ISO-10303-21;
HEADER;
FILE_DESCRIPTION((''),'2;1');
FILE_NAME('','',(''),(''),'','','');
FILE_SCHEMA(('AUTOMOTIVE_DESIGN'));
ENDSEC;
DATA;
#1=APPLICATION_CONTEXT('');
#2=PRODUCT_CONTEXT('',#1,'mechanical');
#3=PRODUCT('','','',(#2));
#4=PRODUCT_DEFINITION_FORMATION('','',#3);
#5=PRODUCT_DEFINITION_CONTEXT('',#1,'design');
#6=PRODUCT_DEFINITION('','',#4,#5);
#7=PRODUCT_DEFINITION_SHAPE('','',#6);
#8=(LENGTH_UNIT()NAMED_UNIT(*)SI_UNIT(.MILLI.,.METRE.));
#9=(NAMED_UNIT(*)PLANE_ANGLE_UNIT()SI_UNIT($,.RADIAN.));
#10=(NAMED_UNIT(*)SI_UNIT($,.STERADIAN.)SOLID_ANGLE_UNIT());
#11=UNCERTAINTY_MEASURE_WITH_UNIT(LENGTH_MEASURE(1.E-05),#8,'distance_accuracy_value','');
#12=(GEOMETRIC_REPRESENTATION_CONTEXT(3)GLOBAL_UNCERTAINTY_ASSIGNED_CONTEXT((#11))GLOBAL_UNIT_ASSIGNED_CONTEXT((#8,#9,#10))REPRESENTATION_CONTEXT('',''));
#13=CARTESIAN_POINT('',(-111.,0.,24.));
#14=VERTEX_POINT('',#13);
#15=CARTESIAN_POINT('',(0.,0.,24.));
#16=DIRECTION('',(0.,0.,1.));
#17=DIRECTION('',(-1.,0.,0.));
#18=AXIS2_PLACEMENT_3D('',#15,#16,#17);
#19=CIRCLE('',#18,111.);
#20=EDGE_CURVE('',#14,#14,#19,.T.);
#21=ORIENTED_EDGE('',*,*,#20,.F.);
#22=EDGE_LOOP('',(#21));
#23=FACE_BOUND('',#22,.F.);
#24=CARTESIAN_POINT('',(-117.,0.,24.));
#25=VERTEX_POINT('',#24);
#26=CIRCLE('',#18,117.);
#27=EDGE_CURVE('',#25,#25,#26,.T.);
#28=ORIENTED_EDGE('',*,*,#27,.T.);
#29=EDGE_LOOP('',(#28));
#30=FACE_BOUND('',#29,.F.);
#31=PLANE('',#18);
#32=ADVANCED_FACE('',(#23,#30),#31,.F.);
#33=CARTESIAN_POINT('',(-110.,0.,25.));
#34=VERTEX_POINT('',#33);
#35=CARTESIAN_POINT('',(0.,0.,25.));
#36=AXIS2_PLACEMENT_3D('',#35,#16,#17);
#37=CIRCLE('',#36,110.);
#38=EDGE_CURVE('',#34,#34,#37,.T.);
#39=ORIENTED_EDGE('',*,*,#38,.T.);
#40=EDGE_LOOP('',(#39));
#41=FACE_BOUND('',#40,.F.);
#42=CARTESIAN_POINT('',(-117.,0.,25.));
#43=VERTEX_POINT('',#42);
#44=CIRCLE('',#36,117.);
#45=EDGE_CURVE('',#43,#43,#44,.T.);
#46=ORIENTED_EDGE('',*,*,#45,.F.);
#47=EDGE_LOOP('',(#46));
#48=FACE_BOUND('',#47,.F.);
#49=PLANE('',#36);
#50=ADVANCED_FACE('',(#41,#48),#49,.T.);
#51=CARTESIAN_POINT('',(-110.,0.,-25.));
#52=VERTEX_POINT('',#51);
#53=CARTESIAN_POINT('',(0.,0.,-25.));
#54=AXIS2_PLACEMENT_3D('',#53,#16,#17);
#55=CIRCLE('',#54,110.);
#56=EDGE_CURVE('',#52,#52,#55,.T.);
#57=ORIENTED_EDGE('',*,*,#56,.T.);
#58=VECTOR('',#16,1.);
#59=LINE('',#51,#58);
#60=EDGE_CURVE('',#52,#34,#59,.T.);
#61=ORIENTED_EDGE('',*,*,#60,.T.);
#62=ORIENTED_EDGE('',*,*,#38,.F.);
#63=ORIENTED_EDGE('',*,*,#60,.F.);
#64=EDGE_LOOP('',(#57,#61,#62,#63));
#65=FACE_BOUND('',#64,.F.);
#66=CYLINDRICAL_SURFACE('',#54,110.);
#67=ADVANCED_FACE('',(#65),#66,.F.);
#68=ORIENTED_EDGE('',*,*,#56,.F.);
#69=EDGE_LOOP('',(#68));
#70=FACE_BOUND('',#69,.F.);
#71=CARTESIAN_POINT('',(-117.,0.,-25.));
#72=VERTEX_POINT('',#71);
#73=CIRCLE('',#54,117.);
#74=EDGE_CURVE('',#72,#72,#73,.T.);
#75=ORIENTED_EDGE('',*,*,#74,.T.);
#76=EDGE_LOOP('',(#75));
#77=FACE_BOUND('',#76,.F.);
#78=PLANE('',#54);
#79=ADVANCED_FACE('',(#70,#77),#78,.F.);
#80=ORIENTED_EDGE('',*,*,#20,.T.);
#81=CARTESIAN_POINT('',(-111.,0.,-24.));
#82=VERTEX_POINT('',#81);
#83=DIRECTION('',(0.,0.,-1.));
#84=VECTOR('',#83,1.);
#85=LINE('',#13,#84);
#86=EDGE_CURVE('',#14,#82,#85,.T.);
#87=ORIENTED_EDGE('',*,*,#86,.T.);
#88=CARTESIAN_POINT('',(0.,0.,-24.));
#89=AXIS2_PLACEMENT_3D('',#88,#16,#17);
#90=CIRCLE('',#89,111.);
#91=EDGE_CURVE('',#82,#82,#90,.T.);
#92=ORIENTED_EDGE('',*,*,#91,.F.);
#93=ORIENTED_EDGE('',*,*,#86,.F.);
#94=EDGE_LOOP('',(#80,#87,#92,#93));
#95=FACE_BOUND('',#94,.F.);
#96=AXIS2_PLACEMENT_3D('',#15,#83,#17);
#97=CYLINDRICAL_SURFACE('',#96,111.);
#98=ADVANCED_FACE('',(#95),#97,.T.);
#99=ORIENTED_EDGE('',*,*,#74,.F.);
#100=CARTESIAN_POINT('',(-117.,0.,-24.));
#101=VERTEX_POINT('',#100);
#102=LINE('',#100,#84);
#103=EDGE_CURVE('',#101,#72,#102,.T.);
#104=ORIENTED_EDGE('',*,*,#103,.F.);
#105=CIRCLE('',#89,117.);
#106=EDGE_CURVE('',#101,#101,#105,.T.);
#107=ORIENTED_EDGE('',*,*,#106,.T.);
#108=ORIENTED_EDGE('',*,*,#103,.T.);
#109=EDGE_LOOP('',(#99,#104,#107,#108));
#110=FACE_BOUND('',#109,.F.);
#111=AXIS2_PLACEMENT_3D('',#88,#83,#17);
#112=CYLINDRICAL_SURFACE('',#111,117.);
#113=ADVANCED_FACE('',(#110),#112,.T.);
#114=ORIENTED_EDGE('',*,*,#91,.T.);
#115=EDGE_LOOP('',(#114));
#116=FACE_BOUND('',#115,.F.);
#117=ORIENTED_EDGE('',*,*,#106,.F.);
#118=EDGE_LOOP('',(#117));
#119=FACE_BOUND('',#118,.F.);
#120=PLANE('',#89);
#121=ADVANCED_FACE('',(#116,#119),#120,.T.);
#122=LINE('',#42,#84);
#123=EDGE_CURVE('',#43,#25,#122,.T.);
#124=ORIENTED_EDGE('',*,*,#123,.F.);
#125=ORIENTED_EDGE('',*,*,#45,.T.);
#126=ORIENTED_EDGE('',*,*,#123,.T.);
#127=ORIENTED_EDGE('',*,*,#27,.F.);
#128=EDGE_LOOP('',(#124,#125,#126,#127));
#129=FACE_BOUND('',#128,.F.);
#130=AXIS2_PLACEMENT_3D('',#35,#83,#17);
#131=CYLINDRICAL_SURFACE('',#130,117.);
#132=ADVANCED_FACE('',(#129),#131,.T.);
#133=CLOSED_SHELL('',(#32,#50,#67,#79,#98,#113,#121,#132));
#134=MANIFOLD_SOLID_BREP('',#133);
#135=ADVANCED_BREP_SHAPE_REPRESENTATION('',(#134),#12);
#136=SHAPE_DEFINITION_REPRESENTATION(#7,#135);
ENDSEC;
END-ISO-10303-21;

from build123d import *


with BuildPart() as f1:
    # F0 (on Front) → F1 (revolve)
    with BuildSketch(Plane.XZ):
        Polygon((-111, 0), (-110, 0), (-110, 25), (-117, 25), (-117, 24), (-111, 24), align=None)
        Polygon((-110, -25), (-110, 0), (-111, 0), (-111, -24), (-117, -24), (-117, -25), align=None)
    revolve(axis=Axis((0, 0, 12.5), (0, 0, 1)))


solid = f1.part
